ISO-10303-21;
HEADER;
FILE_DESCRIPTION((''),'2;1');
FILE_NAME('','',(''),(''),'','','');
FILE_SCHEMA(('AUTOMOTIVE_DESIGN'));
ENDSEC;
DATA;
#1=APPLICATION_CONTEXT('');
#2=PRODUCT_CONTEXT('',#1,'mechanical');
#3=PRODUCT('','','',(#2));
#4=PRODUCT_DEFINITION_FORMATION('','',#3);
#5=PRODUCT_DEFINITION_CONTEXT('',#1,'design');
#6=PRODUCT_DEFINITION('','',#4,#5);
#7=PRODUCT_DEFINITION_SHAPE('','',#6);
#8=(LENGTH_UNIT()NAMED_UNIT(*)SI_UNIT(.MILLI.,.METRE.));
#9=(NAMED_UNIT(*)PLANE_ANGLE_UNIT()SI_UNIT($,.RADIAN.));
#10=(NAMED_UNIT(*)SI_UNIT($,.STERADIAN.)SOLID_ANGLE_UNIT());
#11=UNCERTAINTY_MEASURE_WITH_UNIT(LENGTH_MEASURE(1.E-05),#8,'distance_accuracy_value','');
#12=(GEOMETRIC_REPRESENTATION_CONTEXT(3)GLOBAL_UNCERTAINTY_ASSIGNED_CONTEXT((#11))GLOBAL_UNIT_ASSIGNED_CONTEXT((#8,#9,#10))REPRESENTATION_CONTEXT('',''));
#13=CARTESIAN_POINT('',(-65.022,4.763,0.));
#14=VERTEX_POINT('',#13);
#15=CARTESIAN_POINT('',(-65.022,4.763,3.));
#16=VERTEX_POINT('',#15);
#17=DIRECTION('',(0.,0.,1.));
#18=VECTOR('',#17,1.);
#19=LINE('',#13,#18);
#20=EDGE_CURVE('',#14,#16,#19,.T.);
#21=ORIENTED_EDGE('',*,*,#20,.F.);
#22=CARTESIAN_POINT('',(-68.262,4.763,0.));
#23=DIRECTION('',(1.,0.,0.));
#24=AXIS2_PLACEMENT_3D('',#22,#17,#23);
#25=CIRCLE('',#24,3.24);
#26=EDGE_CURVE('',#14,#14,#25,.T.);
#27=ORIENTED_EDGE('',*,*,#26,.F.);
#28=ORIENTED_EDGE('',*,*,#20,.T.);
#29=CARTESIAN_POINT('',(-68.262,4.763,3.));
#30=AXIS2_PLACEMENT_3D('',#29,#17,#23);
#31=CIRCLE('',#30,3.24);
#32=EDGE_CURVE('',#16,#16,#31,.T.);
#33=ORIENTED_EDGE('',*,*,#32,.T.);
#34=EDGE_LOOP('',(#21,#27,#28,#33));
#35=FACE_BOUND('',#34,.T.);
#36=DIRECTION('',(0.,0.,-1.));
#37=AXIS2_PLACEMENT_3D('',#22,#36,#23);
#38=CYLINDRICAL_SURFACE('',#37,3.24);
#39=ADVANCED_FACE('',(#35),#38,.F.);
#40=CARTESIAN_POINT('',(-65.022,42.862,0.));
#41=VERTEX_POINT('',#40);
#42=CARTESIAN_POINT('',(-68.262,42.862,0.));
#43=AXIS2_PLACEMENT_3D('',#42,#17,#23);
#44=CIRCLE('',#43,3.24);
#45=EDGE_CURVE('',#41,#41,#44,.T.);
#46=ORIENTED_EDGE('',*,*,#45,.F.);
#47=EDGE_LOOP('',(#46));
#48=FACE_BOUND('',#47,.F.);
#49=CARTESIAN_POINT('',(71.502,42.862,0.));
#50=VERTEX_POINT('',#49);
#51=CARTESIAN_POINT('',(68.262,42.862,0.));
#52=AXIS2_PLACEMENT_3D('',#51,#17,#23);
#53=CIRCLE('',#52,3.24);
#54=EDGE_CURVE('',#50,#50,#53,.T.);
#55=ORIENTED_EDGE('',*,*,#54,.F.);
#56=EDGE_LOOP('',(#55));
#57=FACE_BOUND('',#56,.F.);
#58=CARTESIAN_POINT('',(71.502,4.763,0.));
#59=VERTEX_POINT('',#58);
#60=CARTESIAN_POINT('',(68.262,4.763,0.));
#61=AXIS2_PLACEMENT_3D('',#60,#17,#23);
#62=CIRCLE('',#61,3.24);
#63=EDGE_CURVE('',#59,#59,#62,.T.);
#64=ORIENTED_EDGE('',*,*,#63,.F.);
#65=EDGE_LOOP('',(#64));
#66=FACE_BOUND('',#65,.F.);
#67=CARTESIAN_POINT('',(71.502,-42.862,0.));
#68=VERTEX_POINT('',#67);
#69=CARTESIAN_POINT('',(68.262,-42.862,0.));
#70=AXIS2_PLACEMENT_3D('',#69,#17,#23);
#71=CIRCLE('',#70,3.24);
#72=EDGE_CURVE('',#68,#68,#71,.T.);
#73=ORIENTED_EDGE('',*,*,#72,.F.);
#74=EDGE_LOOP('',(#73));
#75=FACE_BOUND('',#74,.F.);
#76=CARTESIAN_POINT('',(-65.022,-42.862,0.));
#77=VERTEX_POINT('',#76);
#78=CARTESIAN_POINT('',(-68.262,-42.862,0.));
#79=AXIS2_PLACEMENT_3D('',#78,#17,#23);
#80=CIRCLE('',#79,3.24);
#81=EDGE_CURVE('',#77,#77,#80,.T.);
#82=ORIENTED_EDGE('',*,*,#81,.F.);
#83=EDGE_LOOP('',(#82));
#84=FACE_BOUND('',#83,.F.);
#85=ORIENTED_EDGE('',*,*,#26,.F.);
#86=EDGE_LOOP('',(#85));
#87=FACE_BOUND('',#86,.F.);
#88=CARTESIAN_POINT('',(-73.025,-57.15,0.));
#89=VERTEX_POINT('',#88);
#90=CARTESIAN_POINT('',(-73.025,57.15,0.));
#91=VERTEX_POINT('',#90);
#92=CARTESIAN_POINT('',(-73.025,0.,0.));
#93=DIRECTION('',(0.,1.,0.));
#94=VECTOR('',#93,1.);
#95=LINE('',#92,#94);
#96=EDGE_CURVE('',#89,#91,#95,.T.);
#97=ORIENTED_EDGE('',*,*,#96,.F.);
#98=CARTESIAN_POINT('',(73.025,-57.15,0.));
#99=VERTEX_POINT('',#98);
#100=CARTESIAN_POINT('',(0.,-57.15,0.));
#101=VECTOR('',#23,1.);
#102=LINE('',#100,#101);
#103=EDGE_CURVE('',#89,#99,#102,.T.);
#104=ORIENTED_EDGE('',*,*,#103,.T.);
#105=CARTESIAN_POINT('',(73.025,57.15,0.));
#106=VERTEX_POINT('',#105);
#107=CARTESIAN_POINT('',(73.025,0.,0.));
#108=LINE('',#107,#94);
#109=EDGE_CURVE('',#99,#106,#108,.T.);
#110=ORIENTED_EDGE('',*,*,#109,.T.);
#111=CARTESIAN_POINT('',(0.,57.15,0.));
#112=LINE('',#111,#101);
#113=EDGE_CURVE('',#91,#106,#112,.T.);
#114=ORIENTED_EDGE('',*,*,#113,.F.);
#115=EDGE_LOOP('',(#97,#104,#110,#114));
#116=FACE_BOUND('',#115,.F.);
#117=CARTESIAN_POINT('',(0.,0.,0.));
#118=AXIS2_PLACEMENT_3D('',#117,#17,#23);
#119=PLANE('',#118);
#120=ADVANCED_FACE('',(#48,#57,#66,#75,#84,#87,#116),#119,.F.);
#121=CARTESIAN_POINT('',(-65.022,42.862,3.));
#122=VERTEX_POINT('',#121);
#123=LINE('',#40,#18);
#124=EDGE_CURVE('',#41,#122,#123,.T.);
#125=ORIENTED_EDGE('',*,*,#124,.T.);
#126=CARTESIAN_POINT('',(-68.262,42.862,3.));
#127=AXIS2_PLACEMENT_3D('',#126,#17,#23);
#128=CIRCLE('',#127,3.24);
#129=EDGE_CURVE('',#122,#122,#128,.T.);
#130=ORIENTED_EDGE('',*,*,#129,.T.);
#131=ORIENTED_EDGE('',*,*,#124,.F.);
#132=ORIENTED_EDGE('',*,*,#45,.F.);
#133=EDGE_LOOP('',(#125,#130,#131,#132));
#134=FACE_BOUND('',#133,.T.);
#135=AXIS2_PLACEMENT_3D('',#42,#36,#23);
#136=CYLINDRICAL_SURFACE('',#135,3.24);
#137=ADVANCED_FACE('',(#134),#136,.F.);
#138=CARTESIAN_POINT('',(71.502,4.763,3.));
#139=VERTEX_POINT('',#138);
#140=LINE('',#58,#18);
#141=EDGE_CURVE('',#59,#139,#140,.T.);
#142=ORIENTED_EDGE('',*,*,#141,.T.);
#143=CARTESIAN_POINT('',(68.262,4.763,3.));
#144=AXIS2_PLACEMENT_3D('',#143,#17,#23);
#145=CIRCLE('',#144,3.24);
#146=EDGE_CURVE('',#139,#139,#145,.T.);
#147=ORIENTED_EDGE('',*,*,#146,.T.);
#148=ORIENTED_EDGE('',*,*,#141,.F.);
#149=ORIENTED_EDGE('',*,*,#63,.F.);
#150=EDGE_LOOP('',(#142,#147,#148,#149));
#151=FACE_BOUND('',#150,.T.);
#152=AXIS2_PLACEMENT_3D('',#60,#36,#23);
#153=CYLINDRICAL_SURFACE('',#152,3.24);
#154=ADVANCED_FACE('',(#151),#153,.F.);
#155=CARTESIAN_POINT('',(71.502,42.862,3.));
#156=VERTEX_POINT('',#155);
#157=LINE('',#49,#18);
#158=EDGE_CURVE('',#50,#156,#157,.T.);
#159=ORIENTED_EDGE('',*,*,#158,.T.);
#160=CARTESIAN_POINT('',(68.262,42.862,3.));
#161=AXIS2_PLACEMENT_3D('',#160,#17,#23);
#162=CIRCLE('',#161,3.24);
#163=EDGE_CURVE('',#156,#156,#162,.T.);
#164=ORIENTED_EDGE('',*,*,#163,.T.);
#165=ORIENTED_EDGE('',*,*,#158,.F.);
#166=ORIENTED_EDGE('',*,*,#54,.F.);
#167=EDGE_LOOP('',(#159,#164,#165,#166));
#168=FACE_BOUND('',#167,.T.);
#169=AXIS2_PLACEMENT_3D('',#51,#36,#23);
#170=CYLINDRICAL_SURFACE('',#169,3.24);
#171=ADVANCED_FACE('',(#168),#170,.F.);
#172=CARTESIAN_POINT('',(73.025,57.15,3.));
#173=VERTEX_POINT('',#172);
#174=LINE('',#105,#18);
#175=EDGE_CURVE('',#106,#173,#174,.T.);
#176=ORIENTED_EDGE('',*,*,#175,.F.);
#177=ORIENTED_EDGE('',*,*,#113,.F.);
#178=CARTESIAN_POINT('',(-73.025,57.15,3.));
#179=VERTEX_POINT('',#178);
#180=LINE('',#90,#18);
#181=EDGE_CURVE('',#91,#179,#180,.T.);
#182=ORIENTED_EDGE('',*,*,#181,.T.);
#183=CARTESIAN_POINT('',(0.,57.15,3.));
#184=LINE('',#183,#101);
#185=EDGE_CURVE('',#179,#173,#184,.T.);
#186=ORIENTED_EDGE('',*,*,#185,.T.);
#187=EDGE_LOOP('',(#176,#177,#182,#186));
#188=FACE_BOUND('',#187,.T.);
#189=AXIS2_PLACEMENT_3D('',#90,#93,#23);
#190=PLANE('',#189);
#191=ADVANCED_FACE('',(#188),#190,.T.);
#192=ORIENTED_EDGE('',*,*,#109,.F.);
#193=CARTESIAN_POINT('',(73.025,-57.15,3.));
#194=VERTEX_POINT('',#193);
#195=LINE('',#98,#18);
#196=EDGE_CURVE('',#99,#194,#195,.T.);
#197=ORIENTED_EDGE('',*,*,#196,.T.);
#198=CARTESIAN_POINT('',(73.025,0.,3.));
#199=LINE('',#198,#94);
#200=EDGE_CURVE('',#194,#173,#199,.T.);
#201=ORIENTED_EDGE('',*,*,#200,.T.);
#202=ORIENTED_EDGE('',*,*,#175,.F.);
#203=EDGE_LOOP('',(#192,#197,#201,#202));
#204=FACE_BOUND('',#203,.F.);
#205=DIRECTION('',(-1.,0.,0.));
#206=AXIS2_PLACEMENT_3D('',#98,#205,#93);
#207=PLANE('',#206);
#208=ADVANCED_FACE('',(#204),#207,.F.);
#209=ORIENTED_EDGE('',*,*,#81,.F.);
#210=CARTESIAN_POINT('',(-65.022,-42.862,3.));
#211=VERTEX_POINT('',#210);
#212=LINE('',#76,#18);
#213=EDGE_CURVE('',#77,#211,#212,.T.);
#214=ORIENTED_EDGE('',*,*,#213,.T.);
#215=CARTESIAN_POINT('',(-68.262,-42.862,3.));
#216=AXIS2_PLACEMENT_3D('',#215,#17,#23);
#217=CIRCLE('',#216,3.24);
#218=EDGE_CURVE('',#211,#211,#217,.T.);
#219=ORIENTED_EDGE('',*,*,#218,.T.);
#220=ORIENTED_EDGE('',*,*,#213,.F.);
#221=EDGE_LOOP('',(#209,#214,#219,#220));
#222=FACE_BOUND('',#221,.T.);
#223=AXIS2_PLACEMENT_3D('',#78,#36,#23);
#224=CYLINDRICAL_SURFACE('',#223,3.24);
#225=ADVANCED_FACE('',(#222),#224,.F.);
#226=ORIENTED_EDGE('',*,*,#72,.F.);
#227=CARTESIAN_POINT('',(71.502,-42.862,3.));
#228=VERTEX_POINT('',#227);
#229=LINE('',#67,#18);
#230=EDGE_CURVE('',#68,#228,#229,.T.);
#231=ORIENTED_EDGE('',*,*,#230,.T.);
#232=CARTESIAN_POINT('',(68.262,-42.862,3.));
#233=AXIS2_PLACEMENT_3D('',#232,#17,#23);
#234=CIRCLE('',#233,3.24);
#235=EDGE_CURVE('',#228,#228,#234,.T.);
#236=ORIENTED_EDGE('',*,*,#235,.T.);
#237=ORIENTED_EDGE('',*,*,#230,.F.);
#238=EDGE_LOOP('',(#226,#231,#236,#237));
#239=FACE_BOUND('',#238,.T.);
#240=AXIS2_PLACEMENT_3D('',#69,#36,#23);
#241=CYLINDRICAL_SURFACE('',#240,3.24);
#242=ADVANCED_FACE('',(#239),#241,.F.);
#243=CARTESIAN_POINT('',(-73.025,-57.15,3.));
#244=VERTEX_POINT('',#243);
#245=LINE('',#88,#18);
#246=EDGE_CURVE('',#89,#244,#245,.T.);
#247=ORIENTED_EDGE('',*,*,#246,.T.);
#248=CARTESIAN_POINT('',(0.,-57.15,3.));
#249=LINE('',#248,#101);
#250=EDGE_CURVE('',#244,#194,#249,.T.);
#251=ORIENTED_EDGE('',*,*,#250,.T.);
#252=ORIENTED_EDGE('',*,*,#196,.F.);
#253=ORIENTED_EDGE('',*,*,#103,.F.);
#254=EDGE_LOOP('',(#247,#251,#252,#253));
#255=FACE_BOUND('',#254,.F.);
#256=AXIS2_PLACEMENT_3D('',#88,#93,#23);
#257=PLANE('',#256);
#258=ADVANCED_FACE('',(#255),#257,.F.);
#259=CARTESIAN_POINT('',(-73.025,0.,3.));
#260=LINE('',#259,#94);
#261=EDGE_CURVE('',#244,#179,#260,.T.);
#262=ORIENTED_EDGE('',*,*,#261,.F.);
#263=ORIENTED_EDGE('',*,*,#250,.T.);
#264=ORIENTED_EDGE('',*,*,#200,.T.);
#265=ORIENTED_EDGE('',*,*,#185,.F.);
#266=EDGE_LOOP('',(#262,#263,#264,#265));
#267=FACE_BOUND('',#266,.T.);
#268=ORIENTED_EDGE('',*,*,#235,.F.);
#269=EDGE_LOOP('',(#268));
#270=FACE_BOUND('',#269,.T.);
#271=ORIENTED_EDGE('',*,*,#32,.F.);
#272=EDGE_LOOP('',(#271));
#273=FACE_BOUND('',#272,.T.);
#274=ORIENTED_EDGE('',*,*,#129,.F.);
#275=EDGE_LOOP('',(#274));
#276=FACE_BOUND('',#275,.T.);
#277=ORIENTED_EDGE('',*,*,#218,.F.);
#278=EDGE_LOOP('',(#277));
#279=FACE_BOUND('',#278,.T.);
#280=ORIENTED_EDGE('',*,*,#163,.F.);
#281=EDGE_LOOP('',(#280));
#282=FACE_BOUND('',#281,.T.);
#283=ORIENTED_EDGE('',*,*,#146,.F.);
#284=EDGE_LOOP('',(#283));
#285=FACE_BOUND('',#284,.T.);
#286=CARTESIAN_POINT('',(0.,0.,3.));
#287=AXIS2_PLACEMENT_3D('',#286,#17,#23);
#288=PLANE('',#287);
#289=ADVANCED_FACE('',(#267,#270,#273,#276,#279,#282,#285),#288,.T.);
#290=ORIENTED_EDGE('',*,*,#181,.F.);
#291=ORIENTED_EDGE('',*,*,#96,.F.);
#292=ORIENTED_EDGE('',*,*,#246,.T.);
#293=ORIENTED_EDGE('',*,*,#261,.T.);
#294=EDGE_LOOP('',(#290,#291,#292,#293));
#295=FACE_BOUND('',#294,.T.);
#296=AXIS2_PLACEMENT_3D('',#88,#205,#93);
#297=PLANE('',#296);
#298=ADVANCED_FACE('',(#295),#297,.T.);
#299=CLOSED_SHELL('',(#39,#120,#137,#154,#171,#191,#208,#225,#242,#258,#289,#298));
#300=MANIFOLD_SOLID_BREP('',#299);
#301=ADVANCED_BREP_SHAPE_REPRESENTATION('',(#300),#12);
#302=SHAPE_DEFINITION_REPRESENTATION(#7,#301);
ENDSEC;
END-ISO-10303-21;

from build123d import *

# Parameters (mm, degrees)
F0_W     = 146.05
F0_H     = 114.3
F0_R     = 3.24
F1_DEPTH = 3


with BuildPart() as f1:
    # F0 (on Top) → F1 (new body)
    with BuildSketch(Plane.XY):
        Rectangle(F0_W, F0_H)
        with Locations((-68.262, -42.862)):
            Circle(F0_R, mode=Mode.SUBTRACT)
        with Locations((68.262, -42.862)):
            Circle(F0_R, mode=Mode.SUBTRACT)
        with Locations((-68.262, 4.763)):
            Circle(F0_R, mode=Mode.SUBTRACT)
        with Locations((-68.262, 42.862)):
            Circle(F0_R, mode=Mode.SUBTRACT)
        with BuildLine():
            Line((-72.225, -1.587), (-68.262, -1.587))
            ThreePointArc((-68.262, -1.587), (-61.912, 4.763), (-68.262, 11.113))
            Line((-68.262, 11.113), (-72.225, 11.113))
            Line((-72.225, 11.113), (-72.225, 36.512))
            Line((-72.225, 36.512), (-68.262, 36.512))
            ThreePointArc((-68.262, 36.512), (-61.912, 42.862), (-68.262, 49.212))
            Line((-68.262, 49.212), (-72.225, 49.212))
            Line((-72.225, 49.212), (-72.225, 56.35))
            Line((-72.225, 56.35), (72.225, 56.35))
            Line((72.225, 56.35), (72.225, 49.212))
            Line((72.225, 49.212), (68.262, 49.212))
            ThreePointArc((68.262, 49.212), (61.912, 42.862), (68.262, 36.512))
            Line((68.262, 36.512), (72.225, 36.512))
            Line((72.225, 36.512), (72.225, 11.113))
            Line((72.225, 11.113), (68.262, 11.113))
            ThreePointArc((68.262, 11.113), (61.912, 4.763), (68.262, -1.587))
            Line((68.262, -1.587), (72.225, -1.587))
            Line((72.225, -1.587), (72.225, -36.512))
            Line((72.225, -36.512), (68.262, -36.512))
            ThreePointArc((68.262, -36.512), (61.912, -42.862), (68.262, -49.212))
            Line((68.262, -49.212), (72.225, -49.212))
            Line((72.225, -49.212), (72.225, -56.35))
            Line((72.225, -56.35), (-72.225, -56.35))
            Line((-72.225, -56.35), (-72.225, -49.212))
            Line((-72.225, -49.212), (-68.262, -49.212))
            ThreePointArc((-68.262, -49.212), (-61.912, -42.862), (-68.262, -36.512))
            Line((-68.262, -36.512), (-72.225, -36.512))
            Line((-72.225, -36.512), (-72.225, -1.587))
        make_face(mode=Mode.SUBTRACT)
        with Locations((68.262, 4.763)):
            Circle(F0_R, mode=Mode.SUBTRACT)
        with Locations((68.262, 42.862)):
            Circle(F0_R, mode=Mode.SUBTRACT)
        with BuildLine():
            ThreePointArc((-68.262, 11.113), (-61.912, 4.763), (-68.262, -1.587))
            Line((-68.262, -1.587), (-72.225, -1.587))
            Line((-72.225, -1.587), (-72.225, -36.512))
            Line((-72.225, -36.512), (-68.262, -36.512))
            ThreePointArc((-68.262, -36.512), (-61.912, -42.862), (-68.262, -49.212))
            Line((-68.262, -49.212), (-72.225, -49.212))
            Line((-72.225, -49.212), (-72.225, -56.35))
            Line((-72.225, -56.35), (72.225, -56.35))
            Line((72.225, -56.35), (72.225, -49.212))
            Line((72.225, -49.212), (68.262, -49.212))
            ThreePointArc((68.262, -49.212), (61.912, -42.862), (68.262, -36.512))
            Line((68.262, -36.512), (72.225, -36.512))
            Line((72.225, -36.512), (72.225, -1.587))
            Line((72.225, -1.587), (68.262, -1.587))
            ThreePointArc((68.262, -1.587), (61.912, 4.763), (68.262, 11.113))
            Line((68.262, 11.113), (72.225, 11.113))
            Line((72.225, 11.113), (72.225, 36.512))
            Line((72.225, 36.512), (68.262, 36.512))
            ThreePointArc((68.262, 36.512), (61.912, 42.862), (68.262, 49.212))
            Line((68.262, 49.212), (72.225, 49.212))
            Line((72.225, 49.212), (72.225, 56.35))
            Line((72.225, 56.35), (-72.225, 56.35))
            Line((-72.225, 56.35), (-72.225, 49.212))
            Line((-72.225, 49.212), (-68.262, 49.212))
            ThreePointArc((-68.262, 49.212), (-61.912, 42.862), (-68.262, 36.512))
            Line((-68.262, 36.512), (-72.225, 36.512))
            Line((-72.225, 36.512), (-72.225, 11.113))
            Line((-72.225, 11.113), (-68.262, 11.113))
        make_face()
    extrude(amount=F1_DEPTH)


solid = f1.part
